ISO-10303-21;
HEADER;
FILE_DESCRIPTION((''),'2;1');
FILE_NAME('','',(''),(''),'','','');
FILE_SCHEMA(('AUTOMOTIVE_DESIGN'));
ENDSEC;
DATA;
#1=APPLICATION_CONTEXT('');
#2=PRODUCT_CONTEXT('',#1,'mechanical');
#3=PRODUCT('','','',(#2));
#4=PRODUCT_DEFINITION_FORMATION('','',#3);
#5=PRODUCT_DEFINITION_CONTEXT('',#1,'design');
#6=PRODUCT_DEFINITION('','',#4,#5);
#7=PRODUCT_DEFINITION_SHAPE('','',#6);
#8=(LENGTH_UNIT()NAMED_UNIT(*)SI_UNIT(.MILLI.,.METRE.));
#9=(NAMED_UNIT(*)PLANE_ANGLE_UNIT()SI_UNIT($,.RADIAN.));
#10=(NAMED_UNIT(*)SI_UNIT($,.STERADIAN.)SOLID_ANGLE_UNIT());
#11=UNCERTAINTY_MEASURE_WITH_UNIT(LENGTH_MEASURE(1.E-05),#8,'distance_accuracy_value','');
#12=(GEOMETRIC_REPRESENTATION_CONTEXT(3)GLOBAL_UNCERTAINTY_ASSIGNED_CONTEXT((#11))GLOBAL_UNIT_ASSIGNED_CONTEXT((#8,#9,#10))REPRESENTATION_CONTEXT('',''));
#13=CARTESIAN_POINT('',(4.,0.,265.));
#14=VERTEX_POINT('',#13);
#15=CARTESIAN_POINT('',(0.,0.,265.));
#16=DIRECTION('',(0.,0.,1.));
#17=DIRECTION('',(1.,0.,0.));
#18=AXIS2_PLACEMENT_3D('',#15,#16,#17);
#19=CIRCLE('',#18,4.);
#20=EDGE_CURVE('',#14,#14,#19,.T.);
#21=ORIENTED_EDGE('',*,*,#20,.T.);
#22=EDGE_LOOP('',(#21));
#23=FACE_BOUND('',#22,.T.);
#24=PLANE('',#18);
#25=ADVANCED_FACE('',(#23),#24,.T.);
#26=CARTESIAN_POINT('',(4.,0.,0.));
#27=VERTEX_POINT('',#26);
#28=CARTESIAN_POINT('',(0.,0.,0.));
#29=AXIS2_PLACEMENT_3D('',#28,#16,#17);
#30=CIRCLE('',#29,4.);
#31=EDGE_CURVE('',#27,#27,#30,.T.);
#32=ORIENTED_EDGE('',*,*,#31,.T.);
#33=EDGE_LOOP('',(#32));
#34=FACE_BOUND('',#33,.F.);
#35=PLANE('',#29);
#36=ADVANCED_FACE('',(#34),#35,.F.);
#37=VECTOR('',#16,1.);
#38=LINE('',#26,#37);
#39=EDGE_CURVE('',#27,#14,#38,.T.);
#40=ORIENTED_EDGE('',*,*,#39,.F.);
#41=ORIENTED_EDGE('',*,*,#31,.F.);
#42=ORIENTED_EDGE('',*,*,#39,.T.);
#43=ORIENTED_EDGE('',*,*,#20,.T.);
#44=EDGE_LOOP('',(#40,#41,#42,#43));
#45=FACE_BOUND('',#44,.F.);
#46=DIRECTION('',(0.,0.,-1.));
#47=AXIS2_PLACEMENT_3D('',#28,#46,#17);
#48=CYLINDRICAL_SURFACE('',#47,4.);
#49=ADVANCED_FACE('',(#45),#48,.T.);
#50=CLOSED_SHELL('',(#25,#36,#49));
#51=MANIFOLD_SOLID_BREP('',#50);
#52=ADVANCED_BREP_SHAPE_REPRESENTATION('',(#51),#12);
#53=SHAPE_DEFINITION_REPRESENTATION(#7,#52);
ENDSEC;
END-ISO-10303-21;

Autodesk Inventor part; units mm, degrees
ref_plane "YZ Plane" through (0, 0, 0) normal (1, 0, 0) x (0, 1, 0)
ref_plane "XZ Plane" through (0, 0, 0) normal (0, 1, 0) x (-1, 0, 0)
ref_plane "XY Plane" through (0, 0, 0) normal (0, 0, 1) x (1, 0, 0)
sketch "Sketch1" plane through (0, 0, 0) normal (0, 0, 1) x (1, 0, 0)
  circle A0 centre (0, 0) radius 4
  dimension "d0" = 8
extrude "Extrusion1" add sketch "Sketch1" along normal blind 265
properties part number "0008-10-1007 Bara 8"
